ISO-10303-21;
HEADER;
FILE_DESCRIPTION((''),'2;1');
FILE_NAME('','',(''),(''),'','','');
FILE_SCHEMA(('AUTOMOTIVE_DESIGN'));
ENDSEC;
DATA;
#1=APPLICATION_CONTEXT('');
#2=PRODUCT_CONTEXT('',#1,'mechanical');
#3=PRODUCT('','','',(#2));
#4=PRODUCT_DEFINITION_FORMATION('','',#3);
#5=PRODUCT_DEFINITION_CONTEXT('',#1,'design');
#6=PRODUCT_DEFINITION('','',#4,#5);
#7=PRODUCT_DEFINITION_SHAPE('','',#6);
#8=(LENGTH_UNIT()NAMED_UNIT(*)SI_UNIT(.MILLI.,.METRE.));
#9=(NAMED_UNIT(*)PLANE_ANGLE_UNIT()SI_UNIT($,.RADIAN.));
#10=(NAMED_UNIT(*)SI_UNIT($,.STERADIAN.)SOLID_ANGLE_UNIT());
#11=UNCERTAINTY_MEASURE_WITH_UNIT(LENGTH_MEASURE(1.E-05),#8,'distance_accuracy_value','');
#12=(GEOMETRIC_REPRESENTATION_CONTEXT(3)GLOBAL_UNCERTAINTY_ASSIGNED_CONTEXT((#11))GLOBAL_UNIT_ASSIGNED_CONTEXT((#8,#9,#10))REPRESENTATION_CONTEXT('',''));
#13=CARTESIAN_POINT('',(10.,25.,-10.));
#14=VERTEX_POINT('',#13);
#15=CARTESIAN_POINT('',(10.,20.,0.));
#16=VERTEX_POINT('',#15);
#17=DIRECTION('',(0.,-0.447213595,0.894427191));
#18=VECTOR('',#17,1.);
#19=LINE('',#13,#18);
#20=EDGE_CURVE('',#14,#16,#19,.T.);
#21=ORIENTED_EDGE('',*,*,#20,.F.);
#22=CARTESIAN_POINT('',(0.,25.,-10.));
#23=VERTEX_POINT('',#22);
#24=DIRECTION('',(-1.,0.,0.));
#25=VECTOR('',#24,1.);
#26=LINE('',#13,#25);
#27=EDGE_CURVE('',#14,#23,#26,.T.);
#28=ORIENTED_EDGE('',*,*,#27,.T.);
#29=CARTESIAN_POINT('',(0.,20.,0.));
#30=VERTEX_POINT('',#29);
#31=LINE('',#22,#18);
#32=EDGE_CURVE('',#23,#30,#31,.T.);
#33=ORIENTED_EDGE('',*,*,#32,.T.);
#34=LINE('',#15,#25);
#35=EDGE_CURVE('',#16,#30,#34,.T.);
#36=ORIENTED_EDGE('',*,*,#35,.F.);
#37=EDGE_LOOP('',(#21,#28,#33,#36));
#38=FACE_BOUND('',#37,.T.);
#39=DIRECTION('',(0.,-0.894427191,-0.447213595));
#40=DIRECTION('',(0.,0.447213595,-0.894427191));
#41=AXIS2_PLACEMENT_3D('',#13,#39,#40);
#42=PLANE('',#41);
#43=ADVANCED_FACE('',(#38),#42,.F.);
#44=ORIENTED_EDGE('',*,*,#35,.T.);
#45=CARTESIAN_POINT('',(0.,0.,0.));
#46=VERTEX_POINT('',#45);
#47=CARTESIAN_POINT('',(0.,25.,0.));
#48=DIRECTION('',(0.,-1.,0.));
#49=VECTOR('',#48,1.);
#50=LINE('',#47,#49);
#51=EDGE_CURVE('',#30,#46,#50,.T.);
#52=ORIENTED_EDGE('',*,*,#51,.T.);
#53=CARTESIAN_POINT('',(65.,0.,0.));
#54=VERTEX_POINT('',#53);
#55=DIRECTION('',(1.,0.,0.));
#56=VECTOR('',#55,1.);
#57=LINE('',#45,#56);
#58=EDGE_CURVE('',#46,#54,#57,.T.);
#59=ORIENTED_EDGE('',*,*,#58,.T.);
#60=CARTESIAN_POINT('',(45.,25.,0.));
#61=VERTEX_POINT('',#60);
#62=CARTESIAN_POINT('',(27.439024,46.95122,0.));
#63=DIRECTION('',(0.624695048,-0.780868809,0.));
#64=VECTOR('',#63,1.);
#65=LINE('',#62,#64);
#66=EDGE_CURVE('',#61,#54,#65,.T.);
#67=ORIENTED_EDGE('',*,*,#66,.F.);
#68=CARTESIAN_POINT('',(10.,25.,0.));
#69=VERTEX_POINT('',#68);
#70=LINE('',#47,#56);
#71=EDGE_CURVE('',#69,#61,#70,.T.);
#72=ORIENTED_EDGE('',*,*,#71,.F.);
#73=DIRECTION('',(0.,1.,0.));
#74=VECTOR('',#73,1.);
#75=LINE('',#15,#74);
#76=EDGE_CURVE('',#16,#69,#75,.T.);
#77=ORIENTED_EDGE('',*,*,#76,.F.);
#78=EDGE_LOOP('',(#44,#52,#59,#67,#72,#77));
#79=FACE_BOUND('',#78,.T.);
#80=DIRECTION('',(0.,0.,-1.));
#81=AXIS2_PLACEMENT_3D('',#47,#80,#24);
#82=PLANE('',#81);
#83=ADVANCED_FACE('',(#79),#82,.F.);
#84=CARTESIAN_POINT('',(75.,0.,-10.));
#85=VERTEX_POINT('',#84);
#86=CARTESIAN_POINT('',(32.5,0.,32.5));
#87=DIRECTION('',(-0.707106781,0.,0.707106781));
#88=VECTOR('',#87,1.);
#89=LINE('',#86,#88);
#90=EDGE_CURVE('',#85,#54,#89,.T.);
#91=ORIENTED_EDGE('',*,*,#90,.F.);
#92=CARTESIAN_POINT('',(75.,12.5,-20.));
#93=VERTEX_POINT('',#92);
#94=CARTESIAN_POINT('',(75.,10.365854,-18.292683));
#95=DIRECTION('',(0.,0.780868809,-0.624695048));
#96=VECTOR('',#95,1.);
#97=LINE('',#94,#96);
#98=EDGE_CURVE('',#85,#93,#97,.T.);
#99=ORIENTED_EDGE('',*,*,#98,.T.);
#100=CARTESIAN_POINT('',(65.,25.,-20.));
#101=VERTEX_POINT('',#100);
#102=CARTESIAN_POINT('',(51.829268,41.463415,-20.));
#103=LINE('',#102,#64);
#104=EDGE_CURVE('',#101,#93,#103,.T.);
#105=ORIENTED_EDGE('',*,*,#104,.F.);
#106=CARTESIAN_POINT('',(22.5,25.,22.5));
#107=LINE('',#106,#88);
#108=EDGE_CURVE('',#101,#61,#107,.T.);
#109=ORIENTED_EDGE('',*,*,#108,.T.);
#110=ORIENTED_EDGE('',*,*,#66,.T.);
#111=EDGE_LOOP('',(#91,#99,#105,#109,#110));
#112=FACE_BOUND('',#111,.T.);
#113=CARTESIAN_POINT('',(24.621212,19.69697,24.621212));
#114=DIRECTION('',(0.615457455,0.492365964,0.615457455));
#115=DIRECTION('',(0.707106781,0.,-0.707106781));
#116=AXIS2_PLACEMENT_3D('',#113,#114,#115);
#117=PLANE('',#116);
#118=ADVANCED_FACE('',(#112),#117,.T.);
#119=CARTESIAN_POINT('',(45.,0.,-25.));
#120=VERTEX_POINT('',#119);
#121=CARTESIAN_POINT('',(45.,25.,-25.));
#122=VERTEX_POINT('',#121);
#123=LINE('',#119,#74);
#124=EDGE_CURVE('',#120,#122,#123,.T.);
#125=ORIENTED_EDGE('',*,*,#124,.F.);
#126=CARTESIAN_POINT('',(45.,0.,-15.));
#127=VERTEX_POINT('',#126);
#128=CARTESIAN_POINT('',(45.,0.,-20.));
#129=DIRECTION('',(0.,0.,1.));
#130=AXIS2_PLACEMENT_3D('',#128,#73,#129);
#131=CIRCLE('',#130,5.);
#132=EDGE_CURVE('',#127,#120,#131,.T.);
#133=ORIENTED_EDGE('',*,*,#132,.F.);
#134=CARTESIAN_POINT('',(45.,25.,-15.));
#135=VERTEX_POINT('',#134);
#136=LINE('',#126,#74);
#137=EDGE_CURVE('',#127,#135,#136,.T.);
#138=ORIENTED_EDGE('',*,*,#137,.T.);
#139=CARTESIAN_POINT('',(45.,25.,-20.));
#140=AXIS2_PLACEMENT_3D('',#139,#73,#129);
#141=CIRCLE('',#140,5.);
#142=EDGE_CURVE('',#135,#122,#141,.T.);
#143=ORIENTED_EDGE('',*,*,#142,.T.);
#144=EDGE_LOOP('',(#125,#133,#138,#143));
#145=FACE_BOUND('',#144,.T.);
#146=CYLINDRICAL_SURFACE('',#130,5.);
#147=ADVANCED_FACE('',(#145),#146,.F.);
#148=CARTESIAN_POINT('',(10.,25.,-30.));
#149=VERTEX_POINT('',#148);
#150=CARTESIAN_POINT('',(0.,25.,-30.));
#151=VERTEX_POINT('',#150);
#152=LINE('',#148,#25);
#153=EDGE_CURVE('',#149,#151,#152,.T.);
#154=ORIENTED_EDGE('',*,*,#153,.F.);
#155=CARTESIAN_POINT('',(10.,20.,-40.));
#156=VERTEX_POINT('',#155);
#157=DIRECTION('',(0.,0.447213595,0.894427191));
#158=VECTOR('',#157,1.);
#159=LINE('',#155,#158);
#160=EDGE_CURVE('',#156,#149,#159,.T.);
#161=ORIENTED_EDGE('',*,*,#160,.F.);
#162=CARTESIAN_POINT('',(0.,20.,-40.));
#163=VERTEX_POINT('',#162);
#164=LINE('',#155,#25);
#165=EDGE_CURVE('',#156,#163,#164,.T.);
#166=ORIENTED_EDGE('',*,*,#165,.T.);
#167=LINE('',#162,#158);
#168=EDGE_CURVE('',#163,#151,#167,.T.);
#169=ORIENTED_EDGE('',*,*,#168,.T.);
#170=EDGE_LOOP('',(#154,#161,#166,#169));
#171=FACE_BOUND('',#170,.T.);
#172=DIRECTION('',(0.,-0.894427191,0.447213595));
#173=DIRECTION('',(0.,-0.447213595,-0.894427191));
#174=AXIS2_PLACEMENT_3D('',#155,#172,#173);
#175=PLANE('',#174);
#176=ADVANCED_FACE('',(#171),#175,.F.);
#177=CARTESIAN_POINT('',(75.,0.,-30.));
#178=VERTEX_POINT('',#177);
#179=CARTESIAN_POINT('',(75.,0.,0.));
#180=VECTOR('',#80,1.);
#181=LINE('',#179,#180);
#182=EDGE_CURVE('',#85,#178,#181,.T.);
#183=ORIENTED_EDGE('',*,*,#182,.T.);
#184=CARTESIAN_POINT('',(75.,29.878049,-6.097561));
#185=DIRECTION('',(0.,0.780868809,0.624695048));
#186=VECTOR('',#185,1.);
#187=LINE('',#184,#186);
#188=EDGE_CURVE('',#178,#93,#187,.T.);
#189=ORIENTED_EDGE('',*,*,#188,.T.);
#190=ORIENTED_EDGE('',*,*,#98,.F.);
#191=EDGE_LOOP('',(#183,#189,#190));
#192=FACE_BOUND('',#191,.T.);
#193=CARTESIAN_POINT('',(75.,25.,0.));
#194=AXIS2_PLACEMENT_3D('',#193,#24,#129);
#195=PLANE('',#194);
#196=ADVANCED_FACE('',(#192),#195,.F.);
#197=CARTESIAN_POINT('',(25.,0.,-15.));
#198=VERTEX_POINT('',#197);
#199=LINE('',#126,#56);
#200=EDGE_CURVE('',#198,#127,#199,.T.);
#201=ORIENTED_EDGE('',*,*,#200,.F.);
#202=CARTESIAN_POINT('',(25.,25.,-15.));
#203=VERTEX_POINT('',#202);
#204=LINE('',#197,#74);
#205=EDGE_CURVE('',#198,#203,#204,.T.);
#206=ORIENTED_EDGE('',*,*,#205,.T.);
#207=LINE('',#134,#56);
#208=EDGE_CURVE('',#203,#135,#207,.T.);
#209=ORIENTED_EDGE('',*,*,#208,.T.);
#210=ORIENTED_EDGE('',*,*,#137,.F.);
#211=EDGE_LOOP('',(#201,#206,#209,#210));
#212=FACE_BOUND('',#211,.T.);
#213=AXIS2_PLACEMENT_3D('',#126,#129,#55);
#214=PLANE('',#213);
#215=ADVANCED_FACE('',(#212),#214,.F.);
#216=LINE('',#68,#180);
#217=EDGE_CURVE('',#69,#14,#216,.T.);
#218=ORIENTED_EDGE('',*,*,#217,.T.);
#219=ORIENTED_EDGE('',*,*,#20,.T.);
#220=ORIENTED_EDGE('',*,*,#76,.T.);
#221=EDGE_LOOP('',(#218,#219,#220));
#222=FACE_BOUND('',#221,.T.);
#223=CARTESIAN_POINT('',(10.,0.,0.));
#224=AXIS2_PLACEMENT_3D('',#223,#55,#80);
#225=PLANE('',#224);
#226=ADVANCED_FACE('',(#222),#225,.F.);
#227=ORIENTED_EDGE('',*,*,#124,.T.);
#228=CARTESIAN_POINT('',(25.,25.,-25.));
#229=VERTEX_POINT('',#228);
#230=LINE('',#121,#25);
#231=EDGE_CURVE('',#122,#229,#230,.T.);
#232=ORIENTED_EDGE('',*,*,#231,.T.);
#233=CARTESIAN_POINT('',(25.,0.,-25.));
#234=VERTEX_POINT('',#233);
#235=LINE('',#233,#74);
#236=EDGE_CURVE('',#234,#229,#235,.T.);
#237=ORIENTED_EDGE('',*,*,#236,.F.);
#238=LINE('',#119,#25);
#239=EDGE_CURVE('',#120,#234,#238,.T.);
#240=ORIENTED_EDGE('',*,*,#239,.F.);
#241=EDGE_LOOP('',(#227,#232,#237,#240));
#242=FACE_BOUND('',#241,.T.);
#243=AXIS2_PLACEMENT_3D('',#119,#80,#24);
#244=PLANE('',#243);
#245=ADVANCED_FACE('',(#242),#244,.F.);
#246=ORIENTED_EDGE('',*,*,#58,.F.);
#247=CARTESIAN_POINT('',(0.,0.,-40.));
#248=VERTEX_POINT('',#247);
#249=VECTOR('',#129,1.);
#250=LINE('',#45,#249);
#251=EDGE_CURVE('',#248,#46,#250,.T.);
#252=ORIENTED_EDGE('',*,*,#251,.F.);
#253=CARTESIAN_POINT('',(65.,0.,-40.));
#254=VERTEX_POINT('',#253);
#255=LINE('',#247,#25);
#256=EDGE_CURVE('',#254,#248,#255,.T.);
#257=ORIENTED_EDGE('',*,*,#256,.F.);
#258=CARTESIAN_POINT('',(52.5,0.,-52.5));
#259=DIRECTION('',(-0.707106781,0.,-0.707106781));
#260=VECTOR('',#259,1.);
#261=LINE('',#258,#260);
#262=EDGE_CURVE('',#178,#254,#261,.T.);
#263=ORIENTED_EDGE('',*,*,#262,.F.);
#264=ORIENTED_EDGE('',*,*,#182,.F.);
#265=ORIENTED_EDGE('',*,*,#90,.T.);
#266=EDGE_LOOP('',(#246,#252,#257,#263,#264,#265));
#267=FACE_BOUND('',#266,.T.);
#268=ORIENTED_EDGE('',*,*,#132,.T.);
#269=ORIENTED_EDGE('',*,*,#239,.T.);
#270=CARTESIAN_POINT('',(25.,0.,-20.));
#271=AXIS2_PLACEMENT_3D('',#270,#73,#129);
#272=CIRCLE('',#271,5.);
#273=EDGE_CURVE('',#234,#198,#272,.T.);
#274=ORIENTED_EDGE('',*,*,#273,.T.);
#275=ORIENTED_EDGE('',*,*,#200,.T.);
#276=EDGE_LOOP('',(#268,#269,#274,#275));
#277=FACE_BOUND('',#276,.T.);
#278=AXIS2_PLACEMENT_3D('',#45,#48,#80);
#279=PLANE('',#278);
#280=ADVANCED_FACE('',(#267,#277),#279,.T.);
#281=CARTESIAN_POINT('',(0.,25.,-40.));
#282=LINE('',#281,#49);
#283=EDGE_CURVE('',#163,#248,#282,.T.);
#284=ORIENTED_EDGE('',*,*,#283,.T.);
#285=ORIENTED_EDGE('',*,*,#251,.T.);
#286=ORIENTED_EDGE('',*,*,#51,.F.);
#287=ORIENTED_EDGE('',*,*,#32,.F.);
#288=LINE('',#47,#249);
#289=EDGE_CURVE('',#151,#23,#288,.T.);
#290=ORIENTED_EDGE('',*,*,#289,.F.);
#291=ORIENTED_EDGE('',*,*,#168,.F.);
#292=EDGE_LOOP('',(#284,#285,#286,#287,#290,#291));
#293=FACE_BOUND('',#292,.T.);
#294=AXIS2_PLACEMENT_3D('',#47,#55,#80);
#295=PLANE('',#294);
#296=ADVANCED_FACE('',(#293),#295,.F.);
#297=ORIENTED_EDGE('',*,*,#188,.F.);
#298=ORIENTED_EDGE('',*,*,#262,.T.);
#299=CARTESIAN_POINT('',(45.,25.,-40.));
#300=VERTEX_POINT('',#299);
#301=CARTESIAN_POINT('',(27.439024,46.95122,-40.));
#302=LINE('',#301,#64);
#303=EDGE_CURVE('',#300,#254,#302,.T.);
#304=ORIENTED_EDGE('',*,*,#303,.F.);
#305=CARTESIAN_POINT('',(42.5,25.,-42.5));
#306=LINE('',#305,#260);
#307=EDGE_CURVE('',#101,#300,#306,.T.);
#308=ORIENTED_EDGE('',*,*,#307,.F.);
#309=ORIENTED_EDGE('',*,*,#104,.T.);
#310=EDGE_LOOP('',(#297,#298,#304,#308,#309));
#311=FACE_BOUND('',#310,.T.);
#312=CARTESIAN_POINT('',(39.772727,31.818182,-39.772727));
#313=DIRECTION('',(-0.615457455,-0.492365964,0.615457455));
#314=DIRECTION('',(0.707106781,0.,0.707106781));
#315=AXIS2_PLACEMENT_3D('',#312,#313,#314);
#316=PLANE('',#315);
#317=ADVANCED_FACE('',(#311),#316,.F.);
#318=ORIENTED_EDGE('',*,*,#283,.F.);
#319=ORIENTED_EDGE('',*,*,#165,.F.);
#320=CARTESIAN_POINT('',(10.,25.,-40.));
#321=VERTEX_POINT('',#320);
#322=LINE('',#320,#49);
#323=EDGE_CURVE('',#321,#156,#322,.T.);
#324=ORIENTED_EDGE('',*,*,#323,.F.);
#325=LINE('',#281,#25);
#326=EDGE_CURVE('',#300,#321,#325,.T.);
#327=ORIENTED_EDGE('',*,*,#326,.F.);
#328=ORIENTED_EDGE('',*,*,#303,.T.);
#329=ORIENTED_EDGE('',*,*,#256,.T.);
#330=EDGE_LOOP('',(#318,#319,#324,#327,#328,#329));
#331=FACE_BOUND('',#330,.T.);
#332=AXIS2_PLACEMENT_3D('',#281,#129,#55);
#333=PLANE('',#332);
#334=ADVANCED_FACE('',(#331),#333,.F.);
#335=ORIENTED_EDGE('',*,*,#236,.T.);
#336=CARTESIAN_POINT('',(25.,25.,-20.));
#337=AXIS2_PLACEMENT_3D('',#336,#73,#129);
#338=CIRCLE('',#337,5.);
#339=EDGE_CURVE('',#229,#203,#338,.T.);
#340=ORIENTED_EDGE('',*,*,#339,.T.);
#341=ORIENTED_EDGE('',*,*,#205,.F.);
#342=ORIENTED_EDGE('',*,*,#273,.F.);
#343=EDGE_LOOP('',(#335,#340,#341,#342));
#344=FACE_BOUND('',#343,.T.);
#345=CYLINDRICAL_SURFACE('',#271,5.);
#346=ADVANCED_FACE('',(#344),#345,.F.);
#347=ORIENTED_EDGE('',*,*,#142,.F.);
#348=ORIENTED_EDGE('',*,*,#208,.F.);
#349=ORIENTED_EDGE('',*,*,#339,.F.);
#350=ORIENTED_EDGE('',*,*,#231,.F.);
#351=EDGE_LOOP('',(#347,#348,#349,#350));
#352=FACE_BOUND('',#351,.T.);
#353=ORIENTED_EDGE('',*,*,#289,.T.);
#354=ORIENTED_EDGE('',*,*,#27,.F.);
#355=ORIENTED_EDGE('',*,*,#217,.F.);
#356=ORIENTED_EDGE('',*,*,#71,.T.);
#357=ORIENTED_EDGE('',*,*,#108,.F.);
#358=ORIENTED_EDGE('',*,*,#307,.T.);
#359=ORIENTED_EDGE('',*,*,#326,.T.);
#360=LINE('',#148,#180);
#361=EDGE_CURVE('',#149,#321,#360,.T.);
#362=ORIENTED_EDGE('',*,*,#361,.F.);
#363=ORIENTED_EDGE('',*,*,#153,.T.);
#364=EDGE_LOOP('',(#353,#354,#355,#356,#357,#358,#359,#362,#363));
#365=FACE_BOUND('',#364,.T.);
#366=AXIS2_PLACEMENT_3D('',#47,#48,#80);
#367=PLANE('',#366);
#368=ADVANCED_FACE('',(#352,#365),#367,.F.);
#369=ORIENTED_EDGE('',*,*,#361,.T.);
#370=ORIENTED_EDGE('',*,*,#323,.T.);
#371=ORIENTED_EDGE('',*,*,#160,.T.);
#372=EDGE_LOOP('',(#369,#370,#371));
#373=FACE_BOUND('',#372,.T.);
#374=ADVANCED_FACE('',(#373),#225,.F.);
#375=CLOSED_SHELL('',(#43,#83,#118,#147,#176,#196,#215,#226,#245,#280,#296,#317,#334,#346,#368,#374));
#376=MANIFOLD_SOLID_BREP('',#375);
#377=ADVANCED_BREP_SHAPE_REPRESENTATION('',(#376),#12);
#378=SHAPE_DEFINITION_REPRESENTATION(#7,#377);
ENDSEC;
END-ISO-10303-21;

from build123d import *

# Parameters (mm, degrees)
SKETCH1_W           = 75
SKETCH1_H           = 40
BOSS_EXTRUDE1_DEPTH = 25
SKETCH5_W           = 56.924134656
SKETCH5_H           = 49.860042304
CUT_EXTRUDE1_DEPTH  = 19.463723647
SKETCH9_W           = 66.205259198
SKETCH9_H           = 57.927204101
CUT_EXTRUDE4_DEPTH  = 19.463723647
CUT_EXTRUDE5_DEPTH  = 10
CUT_EXTRUDE6_DEPTH  = 10
SKETCH12_R          = 5
CUT_EXTRUDE7_DEPTH  = 26
SKETCH13_R          = 5
CUT_EXTRUDE8_DEPTH  = 26
SKETCH14_W          = 20
SKETCH14_H          = 10
CUT_EXTRUDE9_DEPTH  = 26


with BuildPart() as part:
    # Sketch1 → Boss-Extrude1 (new body)
    with BuildSketch(Plane(origin=(0, 0, 0), x_dir=(1, 0, 0), z_dir=(0, 1, 0))):
        with Locations((37.5, 20)):
            Rectangle(SKETCH1_W, SKETCH1_H)
    extrude(amount=BOSS_EXTRUDE1_DEPTH)

    # Sketch5 → Cut-Extrude1 (cut, through all)
    with BuildSketch(Plane(origin=(24.621212121, 19.696969697, 24.621212121), x_dir=(-0.48059153, -0.384473224, 0.788170109), z_dir=(-0.615457455, -0.492365964, -0.615457455))):
        with Locations((-56.377268539, -29.25842023)):
            Rectangle(SKETCH5_W, SKETCH5_H)
    extrude(amount=-CUT_EXTRUDE1_DEPTH, mode=Mode.SUBTRACT)

    # Sketch9 → Cut-Extrude4 (cut, through all)
    with BuildSketch(Plane(origin=(39.772727273, 31.818181818, -39.772727273), x_dir=(-0.48059153, -0.384473224, -0.788170109), z_dir=(0.615457455, 0.492365964, -0.615457455))):
        with Locations((-25.664759868, -34.253534267)):
            Rectangle(SKETCH9_W, SKETCH9_H)
    extrude(amount=CUT_EXTRUDE4_DEPTH, mode=Mode.SUBTRACT)

    # Sketch10 → Cut-Extrude5 (cut)
    with BuildSketch(Plane.ZY):
        Polygon((-10, 25), (0, 20), (0, 25), align=None)
    extrude(amount=-CUT_EXTRUDE5_DEPTH, mode=Mode.SUBTRACT)

    # Sketch11 → Cut-Extrude6 (cut)
    with BuildSketch(Plane.ZY):
        Polygon((-40, 20), (-30, 25), (-40, 25), align=None)
    extrude(amount=-CUT_EXTRUDE6_DEPTH, mode=Mode.SUBTRACT)

    # Sketch12 → Cut-Extrude7 (cut, through all)
    with BuildSketch(Plane(origin=(0, 25, 0), x_dir=(1, 0, 0), z_dir=(0, 1, 0))):
        with Locations((25, 20)):
            Circle(SKETCH12_R)
    extrude(amount=-CUT_EXTRUDE7_DEPTH, mode=Mode.SUBTRACT)

    # Sketch13 → Cut-Extrude8 (cut, through all)
    with BuildSketch(Plane(origin=(0, 25, 0), x_dir=(1, 0, 0), z_dir=(0, 1, 0))):
        with Locations((45, 20)):
            Circle(SKETCH13_R)
    extrude(amount=-CUT_EXTRUDE8_DEPTH, mode=Mode.SUBTRACT)

    # Sketch14 → Cut-Extrude9 (cut, through all)
    with BuildSketch(Plane(origin=(0, 25, 0), x_dir=(1, 0, 0), z_dir=(0, 1, 0))):
        with Locations((35, 20)):
            Rectangle(SKETCH14_W, SKETCH14_H)
    extrude(amount=-CUT_EXTRUDE9_DEPTH, mode=Mode.SUBTRACT)


solid = part.part
